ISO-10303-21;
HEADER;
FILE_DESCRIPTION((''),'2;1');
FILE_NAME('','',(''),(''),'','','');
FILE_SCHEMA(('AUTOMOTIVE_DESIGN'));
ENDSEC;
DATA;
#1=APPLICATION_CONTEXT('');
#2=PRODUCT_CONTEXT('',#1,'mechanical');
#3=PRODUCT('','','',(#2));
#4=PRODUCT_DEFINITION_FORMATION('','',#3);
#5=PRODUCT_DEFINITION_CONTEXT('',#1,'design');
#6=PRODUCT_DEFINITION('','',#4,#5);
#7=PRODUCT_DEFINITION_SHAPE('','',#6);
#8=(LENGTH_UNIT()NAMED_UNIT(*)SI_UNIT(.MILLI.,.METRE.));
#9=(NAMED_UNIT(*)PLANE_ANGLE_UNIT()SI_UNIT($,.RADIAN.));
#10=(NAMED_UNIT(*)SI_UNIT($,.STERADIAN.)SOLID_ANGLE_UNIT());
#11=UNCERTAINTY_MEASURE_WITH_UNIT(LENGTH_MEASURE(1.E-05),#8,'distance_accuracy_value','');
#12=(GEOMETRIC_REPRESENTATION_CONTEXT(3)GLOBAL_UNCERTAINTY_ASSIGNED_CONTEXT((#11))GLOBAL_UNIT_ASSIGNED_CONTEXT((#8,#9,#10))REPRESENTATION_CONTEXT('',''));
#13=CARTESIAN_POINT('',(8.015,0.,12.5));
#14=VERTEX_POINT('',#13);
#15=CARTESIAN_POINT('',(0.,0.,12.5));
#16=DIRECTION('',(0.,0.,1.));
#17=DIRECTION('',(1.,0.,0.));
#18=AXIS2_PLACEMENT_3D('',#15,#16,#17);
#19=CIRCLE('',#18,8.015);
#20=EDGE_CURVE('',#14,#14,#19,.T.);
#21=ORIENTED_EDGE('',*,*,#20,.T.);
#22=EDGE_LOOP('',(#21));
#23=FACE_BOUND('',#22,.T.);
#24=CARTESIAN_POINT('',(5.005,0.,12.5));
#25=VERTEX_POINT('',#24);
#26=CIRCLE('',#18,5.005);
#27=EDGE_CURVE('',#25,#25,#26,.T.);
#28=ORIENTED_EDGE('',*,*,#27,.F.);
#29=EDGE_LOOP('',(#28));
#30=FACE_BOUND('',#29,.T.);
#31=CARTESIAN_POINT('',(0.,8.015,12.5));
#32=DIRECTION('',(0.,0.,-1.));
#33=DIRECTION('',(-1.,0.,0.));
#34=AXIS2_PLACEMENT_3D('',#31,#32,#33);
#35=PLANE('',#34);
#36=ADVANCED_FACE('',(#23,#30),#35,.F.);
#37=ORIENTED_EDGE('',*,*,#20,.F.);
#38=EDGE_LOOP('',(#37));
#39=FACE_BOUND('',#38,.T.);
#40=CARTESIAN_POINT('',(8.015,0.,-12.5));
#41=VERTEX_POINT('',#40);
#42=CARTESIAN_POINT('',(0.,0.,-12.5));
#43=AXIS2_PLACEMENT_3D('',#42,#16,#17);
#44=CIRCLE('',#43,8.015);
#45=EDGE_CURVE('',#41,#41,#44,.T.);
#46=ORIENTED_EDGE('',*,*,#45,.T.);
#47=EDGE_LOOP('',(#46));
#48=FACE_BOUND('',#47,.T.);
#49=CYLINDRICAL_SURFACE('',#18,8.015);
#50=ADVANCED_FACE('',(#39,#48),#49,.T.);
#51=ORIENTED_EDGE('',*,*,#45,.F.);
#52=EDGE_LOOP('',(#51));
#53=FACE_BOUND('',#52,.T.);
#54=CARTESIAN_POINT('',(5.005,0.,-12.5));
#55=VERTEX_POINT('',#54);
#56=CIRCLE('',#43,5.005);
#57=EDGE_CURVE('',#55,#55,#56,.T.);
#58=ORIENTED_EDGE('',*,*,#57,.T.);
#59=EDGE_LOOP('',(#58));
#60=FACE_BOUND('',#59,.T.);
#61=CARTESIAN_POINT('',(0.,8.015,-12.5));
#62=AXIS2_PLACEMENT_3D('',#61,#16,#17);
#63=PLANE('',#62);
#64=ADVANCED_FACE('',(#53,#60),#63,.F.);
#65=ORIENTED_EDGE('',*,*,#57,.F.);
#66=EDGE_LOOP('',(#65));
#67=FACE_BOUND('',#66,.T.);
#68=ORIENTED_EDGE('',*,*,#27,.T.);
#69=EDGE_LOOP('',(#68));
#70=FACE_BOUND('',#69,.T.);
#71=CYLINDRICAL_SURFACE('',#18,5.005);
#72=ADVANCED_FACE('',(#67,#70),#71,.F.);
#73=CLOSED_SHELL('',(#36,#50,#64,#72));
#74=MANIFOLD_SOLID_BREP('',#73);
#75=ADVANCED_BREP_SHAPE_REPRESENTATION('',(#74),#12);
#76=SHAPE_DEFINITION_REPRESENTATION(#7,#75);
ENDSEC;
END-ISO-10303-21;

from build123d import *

# Parameters (mm, degrees)
SKETCH5_W = 25
SKETCH5_H = 3.01


with BuildPart() as part:
    # Sketch5 → Revolve1 (revolve)
    with BuildSketch(Plane(origin=(0, 0, 0), x_dir=(0, 0, -1), z_dir=(1, 0, 0))):
        with Locations((0, 6.51)):
            Rectangle(SKETCH5_W, SKETCH5_H)
    revolve(axis=Axis((0, 0, 12.5), (0, 0, -1)))


solid = part.part
